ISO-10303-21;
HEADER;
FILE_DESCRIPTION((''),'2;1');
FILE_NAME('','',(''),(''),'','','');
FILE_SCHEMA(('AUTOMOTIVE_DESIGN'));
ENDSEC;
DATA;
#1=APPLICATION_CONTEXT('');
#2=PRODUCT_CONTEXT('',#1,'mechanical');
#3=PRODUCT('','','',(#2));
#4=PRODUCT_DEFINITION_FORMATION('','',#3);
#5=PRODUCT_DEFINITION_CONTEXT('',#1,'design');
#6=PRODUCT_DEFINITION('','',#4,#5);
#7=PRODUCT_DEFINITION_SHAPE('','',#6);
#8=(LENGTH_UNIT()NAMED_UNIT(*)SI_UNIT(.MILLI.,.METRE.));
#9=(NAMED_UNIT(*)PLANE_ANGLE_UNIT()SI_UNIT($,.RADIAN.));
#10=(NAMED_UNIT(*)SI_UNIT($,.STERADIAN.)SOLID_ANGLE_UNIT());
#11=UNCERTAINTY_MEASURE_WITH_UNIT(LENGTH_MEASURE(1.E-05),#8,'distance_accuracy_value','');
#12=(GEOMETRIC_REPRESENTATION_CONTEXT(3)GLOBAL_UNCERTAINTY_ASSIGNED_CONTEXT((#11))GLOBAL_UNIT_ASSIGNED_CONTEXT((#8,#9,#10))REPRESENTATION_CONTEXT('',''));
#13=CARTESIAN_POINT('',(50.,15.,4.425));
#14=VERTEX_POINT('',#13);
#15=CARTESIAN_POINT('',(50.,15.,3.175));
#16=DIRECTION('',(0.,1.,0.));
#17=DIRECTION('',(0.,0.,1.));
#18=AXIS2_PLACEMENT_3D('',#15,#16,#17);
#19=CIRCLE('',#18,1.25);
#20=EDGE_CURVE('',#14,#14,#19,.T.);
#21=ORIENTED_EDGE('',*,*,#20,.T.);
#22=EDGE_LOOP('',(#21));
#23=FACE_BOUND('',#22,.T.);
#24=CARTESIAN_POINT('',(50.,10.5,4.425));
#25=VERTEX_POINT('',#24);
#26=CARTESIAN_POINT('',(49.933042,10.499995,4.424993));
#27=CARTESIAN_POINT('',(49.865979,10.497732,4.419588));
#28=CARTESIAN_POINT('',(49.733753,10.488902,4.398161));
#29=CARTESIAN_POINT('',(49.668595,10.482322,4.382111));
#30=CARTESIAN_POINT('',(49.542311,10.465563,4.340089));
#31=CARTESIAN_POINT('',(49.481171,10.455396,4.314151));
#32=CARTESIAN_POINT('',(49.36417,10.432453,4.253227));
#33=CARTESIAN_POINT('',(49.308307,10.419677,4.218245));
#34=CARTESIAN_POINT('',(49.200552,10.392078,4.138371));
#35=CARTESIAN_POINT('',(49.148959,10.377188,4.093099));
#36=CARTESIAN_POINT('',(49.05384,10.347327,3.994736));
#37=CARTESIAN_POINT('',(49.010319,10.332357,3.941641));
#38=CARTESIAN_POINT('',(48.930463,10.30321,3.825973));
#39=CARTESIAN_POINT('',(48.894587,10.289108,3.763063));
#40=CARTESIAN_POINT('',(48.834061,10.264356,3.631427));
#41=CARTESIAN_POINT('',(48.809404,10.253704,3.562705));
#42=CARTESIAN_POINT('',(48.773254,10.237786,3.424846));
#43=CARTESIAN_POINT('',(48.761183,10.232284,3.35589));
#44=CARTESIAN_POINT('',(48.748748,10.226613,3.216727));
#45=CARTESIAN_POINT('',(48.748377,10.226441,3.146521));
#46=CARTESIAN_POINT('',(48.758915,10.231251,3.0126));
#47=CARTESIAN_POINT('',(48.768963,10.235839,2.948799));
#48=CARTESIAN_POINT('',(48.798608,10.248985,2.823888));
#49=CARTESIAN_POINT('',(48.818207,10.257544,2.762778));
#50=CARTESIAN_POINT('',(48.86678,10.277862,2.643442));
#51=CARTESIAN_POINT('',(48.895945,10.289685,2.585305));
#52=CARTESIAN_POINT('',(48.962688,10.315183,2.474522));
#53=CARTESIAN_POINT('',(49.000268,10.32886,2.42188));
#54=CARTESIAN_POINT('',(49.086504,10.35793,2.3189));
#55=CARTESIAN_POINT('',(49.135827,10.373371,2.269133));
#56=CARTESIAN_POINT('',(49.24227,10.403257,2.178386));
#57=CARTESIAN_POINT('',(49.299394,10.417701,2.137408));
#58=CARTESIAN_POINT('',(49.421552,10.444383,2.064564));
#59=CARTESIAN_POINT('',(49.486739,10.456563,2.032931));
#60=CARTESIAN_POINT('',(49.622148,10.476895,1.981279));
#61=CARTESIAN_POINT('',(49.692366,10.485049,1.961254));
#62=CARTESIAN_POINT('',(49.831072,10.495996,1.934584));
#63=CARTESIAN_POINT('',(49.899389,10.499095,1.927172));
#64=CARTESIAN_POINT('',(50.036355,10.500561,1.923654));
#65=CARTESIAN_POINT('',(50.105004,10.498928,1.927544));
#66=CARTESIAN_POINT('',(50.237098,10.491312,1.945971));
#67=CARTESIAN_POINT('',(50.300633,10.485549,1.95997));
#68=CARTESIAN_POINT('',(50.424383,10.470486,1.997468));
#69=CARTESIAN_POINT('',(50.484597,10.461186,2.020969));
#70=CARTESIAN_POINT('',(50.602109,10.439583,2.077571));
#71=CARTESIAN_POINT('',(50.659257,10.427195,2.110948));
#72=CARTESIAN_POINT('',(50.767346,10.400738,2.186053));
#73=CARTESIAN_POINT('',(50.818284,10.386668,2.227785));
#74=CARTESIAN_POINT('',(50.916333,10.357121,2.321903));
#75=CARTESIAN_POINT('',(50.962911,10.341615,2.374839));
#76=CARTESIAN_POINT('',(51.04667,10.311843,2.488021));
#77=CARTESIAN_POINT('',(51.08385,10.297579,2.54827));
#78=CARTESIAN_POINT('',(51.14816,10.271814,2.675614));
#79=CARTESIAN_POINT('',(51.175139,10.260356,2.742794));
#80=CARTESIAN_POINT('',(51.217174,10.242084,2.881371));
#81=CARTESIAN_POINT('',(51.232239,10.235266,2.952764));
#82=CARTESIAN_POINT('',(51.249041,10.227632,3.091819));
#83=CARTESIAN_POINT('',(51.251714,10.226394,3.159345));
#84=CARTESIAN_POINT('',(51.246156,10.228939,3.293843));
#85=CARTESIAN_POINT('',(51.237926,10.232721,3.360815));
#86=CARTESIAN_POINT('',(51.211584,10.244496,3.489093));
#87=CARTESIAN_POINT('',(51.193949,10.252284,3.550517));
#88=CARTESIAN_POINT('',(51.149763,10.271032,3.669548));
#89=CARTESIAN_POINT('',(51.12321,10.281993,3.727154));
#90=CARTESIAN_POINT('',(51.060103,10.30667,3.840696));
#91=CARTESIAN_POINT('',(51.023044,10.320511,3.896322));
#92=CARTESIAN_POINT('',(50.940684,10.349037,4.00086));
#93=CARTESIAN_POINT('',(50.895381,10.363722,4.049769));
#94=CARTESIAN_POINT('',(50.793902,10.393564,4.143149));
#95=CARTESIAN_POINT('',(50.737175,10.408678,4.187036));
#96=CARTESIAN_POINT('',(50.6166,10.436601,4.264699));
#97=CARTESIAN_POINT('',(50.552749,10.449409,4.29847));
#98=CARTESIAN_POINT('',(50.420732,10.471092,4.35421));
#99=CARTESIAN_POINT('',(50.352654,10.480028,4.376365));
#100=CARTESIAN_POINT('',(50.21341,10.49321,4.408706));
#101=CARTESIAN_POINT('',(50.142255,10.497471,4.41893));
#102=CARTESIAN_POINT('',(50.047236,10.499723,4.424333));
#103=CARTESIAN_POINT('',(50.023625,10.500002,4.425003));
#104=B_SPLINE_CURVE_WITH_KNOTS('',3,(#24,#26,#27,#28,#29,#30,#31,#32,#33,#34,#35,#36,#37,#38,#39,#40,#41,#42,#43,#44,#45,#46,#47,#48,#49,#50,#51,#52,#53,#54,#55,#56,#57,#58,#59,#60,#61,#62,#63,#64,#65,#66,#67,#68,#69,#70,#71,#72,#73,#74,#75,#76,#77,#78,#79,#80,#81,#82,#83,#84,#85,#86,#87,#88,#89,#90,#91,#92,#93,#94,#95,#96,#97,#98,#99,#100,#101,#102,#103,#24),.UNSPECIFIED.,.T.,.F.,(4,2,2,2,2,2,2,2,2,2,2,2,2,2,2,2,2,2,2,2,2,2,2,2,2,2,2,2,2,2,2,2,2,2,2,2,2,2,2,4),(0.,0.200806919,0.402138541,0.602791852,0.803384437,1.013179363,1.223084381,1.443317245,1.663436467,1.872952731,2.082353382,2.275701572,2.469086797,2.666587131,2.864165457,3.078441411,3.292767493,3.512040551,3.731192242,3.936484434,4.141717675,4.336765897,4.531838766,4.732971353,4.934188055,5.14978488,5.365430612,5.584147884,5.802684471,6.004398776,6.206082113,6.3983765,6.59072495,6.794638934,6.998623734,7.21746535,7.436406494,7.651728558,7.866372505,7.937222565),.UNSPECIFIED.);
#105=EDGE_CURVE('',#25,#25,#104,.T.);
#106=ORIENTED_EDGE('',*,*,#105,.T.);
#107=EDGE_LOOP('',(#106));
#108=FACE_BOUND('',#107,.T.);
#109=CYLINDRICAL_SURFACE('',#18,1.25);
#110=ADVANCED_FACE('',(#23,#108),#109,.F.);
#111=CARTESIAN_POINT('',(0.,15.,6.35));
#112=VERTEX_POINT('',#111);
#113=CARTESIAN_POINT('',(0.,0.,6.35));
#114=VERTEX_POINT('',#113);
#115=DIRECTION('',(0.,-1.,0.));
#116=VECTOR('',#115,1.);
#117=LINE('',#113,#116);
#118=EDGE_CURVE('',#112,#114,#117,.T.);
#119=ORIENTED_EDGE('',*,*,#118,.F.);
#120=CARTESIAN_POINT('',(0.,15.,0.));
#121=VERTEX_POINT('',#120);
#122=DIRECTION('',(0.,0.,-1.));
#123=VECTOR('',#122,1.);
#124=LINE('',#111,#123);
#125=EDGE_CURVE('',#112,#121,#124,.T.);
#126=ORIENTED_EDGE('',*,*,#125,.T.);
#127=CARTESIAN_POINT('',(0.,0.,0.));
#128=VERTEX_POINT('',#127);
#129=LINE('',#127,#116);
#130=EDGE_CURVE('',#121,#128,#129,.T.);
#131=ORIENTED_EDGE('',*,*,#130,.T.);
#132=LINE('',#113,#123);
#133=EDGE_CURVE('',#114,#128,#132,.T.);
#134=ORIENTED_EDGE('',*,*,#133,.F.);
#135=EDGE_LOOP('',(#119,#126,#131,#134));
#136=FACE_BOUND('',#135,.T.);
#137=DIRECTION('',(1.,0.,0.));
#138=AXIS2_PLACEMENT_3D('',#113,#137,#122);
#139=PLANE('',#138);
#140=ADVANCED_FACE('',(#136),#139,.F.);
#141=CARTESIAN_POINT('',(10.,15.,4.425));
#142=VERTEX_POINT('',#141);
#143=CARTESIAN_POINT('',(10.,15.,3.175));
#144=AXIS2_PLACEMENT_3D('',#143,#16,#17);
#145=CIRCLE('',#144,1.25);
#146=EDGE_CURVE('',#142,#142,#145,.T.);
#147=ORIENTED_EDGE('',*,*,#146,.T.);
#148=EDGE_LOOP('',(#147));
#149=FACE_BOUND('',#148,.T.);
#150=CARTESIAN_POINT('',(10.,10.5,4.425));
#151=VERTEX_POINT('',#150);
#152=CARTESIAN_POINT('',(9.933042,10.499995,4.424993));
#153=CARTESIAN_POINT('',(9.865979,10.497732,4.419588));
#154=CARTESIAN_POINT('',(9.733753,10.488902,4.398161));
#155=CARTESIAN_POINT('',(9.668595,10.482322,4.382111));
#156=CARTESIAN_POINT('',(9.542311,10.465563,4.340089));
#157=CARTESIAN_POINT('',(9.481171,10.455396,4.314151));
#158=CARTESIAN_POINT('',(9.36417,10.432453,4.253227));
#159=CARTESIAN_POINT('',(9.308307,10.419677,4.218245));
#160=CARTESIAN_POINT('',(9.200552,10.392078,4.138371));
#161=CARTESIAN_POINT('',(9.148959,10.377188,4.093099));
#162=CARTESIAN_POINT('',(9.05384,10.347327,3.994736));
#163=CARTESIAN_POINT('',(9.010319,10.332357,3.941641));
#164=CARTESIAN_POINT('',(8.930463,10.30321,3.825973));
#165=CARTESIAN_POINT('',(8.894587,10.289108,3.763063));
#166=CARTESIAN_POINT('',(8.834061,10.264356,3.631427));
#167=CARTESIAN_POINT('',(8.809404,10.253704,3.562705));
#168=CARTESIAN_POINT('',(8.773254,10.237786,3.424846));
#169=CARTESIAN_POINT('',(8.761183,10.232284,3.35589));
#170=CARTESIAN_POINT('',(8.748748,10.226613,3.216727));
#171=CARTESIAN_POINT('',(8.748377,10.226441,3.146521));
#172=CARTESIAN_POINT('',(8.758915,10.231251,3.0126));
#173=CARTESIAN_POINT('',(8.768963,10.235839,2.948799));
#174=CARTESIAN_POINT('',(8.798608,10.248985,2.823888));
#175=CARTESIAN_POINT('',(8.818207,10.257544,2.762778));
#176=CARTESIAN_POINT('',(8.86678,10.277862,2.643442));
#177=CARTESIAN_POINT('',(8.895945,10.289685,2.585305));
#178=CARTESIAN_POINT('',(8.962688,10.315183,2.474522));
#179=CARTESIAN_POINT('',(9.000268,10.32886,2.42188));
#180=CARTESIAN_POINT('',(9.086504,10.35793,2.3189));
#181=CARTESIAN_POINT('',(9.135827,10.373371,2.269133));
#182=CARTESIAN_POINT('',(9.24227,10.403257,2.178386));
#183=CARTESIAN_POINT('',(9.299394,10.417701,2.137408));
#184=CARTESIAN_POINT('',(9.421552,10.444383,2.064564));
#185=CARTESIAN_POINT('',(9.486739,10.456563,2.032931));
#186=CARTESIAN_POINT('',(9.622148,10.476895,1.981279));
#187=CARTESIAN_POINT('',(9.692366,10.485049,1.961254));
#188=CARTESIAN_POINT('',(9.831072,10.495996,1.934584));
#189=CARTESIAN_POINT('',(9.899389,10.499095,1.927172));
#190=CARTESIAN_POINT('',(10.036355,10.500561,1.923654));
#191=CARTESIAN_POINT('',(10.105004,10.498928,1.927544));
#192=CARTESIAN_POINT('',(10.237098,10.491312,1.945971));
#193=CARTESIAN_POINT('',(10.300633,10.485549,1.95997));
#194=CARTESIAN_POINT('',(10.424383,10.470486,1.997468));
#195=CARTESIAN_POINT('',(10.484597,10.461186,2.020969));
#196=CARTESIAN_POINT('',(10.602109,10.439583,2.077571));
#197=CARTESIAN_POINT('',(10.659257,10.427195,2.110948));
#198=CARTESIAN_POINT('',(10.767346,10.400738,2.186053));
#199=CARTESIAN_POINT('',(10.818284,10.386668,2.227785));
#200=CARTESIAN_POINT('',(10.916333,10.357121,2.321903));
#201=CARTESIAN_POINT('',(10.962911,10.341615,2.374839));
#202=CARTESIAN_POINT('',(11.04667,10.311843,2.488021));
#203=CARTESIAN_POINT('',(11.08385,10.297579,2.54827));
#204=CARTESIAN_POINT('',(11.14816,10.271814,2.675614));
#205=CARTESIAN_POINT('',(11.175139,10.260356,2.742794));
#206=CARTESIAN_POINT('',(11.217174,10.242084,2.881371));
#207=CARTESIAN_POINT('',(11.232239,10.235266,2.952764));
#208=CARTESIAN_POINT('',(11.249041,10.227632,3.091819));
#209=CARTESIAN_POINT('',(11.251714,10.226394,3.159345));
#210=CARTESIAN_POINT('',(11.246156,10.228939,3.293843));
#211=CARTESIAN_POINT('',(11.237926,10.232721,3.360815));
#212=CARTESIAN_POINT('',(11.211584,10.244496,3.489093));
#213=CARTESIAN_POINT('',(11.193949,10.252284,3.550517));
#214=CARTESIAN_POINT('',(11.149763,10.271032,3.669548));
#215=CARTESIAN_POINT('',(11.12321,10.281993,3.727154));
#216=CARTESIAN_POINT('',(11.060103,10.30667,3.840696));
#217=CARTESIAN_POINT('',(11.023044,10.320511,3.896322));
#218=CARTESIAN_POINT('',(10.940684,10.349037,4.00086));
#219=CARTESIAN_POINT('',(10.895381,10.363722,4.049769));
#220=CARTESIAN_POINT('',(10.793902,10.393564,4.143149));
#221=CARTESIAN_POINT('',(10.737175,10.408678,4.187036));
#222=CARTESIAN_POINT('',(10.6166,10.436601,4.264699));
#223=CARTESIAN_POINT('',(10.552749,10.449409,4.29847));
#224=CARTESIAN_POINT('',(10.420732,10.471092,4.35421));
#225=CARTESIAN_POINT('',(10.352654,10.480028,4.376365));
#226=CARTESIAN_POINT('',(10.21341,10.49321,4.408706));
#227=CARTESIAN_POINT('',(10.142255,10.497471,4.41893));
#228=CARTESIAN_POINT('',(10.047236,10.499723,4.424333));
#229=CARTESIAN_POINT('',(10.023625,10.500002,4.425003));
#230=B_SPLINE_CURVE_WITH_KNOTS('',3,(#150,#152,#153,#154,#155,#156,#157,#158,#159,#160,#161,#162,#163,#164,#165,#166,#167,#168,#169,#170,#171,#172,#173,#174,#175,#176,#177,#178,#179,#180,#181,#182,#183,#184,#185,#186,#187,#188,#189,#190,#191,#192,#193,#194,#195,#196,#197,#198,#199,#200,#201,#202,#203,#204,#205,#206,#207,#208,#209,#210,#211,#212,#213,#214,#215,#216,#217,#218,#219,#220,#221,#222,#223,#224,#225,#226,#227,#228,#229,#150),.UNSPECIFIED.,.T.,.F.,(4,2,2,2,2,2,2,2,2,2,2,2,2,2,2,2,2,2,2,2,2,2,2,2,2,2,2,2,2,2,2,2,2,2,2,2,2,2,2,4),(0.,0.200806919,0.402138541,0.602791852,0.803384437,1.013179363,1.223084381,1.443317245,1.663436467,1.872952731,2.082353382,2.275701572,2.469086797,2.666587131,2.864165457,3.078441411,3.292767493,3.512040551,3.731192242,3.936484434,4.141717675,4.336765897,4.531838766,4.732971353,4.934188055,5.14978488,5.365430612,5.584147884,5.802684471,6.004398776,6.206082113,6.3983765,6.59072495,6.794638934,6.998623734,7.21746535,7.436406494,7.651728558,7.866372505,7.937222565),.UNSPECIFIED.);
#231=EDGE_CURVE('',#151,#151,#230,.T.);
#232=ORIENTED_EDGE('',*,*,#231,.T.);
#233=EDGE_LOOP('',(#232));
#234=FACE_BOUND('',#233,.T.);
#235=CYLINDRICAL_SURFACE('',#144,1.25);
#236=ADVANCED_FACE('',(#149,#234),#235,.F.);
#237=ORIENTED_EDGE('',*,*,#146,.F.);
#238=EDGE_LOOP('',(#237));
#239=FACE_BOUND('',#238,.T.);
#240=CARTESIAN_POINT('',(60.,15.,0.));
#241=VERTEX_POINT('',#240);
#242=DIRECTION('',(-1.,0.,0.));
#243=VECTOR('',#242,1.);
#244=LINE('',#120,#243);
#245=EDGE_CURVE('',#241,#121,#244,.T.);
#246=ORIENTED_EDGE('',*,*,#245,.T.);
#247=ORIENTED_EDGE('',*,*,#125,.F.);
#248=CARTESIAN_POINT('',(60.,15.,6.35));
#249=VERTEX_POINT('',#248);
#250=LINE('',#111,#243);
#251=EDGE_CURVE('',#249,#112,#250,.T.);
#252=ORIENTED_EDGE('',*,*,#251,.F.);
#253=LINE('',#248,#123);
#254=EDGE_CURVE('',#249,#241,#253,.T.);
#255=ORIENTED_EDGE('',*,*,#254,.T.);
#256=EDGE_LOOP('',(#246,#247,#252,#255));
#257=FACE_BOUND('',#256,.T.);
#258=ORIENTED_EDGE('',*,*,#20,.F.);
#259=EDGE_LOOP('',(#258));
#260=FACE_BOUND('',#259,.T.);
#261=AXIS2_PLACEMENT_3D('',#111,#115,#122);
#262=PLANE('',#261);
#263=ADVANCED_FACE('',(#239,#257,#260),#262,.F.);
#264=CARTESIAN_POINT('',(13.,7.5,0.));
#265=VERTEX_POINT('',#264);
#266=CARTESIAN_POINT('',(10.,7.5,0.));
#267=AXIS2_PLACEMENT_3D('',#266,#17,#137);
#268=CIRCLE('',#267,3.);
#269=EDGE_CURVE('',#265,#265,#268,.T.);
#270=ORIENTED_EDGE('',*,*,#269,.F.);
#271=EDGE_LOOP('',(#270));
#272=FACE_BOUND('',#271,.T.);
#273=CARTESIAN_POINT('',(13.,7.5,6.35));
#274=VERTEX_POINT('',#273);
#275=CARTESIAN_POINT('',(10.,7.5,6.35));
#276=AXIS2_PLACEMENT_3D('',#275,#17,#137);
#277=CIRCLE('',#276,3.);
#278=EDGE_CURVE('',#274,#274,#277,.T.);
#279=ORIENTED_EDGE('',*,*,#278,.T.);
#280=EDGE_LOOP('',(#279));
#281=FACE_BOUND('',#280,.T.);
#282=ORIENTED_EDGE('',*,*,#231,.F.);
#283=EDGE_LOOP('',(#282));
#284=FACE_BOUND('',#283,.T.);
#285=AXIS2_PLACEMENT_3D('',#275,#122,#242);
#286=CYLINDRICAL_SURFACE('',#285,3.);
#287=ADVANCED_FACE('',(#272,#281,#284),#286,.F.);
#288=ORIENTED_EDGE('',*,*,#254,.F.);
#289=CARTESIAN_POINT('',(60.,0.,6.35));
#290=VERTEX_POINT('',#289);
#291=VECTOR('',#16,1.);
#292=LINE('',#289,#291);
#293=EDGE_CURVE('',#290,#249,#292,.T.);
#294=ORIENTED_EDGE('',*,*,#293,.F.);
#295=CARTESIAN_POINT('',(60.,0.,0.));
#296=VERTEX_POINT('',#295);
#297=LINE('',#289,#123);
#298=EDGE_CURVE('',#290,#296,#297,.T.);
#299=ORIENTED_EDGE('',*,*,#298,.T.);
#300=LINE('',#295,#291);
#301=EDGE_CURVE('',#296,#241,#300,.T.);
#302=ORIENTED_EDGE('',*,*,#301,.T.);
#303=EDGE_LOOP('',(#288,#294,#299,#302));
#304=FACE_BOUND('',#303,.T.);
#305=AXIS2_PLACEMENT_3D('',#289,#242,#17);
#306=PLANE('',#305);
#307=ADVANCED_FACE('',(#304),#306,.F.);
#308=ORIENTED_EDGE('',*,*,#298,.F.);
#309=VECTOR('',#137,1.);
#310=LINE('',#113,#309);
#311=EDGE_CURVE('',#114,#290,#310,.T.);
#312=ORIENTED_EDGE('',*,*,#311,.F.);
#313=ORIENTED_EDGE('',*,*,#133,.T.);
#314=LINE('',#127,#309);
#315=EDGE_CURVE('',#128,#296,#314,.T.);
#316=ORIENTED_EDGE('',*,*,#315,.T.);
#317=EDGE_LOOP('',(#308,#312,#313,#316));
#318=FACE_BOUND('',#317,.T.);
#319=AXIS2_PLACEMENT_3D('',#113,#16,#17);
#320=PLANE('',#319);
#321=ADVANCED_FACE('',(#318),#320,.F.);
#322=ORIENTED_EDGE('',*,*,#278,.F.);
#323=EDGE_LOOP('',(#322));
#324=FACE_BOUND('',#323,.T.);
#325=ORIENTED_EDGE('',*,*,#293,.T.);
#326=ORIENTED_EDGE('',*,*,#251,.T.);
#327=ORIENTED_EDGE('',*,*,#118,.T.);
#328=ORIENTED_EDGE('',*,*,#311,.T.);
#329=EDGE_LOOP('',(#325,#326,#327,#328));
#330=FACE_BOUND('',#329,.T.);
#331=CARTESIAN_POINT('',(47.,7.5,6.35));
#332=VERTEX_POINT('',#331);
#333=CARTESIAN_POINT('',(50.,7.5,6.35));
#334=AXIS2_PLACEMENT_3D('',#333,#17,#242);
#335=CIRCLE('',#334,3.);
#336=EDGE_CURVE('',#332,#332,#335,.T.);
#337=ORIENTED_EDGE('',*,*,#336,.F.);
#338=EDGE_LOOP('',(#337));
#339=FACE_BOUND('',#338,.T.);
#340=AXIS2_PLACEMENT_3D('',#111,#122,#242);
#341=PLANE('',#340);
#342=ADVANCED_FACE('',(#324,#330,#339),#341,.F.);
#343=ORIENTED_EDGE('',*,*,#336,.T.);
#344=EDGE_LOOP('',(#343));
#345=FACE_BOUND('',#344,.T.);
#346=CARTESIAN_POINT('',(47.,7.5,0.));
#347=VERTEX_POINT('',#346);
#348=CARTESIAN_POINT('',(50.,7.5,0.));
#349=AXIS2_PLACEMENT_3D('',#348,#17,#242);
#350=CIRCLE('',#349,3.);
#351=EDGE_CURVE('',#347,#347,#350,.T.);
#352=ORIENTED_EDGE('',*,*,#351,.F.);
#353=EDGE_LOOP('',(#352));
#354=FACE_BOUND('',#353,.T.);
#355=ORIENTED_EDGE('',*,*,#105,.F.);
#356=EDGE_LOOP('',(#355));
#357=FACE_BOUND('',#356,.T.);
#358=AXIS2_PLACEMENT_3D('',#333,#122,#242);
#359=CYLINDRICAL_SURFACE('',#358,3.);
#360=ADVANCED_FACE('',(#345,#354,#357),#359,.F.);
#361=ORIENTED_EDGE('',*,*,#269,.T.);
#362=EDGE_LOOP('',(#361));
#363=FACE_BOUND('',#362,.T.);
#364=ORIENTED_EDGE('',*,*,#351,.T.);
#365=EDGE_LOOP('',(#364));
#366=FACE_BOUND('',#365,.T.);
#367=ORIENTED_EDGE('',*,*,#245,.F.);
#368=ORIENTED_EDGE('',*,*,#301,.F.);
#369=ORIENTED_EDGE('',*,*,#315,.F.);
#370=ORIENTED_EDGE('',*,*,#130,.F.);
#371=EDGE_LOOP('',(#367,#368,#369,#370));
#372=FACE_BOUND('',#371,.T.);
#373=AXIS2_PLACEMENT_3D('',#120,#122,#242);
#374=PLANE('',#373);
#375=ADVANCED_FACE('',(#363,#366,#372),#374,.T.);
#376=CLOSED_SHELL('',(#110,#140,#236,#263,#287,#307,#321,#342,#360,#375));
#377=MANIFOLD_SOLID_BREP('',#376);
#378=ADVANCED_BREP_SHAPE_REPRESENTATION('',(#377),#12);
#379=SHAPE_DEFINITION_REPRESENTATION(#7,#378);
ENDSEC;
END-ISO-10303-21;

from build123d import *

# Parameters (mm, degrees)
SKETCH1_W             = 60
SKETCH1_H             = 15
SKETCH1_R             = 3
BOSS_EXTRUDE1_DEPTH   = 6.35
M3_TAPPED_HOLE1_D     = 2.5
M3_TAPPED_HOLE1_DEPTH = 8.5
M3_TAPPED_HOLE1_TIP   = 0.751075774


with BuildPart() as part:
    # Sketch1 → Boss-Extrude1 (new body)
    with BuildSketch(Plane.XY):
        with Locations((30, 7.5)):
            Rectangle(SKETCH1_W, SKETCH1_H)
        with Locations((10, 7.5)):
            Circle(SKETCH1_R, mode=Mode.SUBTRACT)
        with Locations((50, 7.5)):
            Circle(SKETCH1_R, mode=Mode.SUBTRACT)
    extrude(amount=BOSS_EXTRUDE1_DEPTH)

    # M3 Tapped Hole1
    with Locations(Plane(origin=(0, 15, 0), x_dir=(-1, 0, 0), z_dir=(0, 1, 0))):
        with Locations((-10, 3.175), (-50, 3.175)):
            Hole(M3_TAPPED_HOLE1_D / 2, depth=M3_TAPPED_HOLE1_DEPTH)
            with Locations((0, 0, -(M3_TAPPED_HOLE1_DEPTH + M3_TAPPED_HOLE1_TIP / 2))):  # 118° drill point
                Cone(0, M3_TAPPED_HOLE1_D / 2, M3_TAPPED_HOLE1_TIP, mode=Mode.SUBTRACT)


solid = part.part
